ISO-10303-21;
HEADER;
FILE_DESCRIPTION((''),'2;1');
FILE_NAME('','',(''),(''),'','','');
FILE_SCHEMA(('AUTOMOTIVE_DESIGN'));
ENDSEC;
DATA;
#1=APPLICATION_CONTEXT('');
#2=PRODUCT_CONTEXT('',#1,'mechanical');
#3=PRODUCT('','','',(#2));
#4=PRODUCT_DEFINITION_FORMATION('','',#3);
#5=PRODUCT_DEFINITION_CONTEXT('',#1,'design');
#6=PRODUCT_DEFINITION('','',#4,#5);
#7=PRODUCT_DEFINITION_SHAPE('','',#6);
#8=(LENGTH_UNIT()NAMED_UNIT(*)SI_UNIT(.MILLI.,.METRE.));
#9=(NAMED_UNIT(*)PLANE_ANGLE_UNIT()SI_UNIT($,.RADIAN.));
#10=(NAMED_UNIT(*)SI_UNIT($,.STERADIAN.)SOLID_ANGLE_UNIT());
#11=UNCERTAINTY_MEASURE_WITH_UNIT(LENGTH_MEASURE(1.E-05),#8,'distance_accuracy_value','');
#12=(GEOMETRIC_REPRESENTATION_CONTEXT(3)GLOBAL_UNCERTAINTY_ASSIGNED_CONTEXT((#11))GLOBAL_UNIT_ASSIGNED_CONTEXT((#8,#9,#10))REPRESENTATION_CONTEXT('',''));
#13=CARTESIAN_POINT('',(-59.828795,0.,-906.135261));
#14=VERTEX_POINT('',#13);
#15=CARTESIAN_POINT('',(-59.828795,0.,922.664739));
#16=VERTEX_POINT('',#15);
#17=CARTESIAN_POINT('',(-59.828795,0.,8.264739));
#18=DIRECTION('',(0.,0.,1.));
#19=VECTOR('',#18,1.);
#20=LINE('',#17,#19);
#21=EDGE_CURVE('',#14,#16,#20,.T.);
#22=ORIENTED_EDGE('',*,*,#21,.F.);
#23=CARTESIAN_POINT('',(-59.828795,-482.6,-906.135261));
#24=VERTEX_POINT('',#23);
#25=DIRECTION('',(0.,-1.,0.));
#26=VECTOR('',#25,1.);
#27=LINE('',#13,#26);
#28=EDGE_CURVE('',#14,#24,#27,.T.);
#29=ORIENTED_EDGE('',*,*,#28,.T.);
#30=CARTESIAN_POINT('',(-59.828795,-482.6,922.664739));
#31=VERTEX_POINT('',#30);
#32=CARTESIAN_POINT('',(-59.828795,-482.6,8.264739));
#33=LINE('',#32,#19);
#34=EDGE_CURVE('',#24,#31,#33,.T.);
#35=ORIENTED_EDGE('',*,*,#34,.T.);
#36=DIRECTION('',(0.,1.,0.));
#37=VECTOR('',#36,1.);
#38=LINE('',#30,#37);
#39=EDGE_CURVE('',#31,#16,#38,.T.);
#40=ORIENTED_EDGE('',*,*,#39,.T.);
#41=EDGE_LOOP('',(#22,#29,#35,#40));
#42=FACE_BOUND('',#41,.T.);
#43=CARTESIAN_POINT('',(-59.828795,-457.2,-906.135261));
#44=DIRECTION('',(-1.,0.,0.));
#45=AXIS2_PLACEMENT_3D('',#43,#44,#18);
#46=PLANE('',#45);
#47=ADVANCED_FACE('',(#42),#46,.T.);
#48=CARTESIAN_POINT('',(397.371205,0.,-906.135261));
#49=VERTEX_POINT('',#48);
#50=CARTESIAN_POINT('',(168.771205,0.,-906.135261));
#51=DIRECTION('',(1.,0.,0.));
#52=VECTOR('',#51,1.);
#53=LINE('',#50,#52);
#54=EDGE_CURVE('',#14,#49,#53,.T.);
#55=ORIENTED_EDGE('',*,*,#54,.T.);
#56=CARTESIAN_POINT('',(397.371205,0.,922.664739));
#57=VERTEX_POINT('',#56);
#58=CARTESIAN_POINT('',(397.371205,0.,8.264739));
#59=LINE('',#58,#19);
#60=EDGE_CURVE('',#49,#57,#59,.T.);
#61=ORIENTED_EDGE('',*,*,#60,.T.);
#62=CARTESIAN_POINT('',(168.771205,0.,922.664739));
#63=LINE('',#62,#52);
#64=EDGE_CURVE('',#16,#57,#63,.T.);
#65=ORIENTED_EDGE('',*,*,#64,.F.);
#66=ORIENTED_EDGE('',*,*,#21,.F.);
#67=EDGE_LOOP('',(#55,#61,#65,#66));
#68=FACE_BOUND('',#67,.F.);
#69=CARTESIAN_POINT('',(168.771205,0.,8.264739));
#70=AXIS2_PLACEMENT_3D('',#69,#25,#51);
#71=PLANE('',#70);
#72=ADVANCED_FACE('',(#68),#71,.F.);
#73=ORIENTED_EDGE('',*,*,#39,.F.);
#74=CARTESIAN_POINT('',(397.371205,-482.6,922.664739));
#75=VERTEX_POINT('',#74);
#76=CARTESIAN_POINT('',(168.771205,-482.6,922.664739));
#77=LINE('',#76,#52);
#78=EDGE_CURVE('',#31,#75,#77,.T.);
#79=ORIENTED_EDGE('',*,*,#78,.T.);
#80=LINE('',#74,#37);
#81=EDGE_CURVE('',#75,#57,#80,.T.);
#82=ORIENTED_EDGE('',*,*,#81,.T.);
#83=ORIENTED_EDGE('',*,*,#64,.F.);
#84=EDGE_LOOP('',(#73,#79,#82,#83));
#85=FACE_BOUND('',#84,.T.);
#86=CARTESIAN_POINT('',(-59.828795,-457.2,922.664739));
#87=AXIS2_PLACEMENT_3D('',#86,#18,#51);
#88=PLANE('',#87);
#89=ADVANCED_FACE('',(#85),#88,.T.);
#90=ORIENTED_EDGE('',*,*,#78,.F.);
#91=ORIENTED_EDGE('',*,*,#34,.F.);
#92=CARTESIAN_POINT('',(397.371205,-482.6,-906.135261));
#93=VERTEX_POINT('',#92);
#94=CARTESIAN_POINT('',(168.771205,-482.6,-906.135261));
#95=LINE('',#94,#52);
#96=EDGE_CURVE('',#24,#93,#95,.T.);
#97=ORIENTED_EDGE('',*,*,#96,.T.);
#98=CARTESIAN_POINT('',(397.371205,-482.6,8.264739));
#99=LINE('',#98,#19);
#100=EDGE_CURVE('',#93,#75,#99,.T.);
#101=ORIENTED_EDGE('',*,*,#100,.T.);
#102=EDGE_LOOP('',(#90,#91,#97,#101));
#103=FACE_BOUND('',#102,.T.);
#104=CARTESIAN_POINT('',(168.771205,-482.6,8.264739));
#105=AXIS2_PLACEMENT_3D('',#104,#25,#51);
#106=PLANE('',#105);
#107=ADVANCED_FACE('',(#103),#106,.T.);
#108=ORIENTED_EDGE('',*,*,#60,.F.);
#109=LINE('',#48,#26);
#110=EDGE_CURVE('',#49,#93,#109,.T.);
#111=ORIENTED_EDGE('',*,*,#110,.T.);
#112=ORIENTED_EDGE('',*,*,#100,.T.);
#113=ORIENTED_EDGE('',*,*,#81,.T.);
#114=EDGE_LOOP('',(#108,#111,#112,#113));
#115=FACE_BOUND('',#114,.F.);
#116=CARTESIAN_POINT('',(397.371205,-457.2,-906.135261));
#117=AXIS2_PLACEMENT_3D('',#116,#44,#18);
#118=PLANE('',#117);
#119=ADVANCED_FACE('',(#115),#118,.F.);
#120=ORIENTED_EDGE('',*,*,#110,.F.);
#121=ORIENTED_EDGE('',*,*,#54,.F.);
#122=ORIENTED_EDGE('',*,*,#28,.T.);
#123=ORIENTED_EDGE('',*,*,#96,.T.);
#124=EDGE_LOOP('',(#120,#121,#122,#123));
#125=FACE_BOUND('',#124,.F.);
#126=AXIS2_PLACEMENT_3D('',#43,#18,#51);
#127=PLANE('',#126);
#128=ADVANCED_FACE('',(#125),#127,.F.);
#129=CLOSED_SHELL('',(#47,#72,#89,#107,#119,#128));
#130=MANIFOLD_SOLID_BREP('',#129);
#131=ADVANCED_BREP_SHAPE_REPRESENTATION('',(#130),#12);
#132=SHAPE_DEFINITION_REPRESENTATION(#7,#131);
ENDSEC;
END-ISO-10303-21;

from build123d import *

# Parameters (mm, degrees)
F0_W      = 457.2
F0_H      = 1828.8
F1_DEPTH  = 457.2
F2_W      = 168.482557
F2_H      = 257.74318
F3_DEPTH  = 355.6
F1_FACE_W = 457.2
F1_FACE_H = 1828.8
F4_DEPTH  = 25.4


with BuildPart() as f1:
    # F0 (on Front) → F1 (new body)
    with BuildSketch(Plane.XZ):
        with Locations((168.771205, 8.264739)):
            Rectangle(F0_W, F0_H)
    extrude(amount=F1_DEPTH)

    # F2 (on face) → F3 (join)
    with BuildSketch(Plane.XZ.offset(457.2)):
        with Locations((252.723835, 746.079415)):
            Rectangle(F2_W, F2_H)
    extrude(amount=-F3_DEPTH)

    # F1_face (on face) → F4 (join)
    with BuildSketch(Plane(origin=(168.771205, -457.2, 8.264739), x_dir=(1, 0, 0), z_dir=(0, -1, 0))):
        Rectangle(F1_FACE_W, F1_FACE_H)
    extrude(amount=F4_DEPTH)


solid = f1.part
